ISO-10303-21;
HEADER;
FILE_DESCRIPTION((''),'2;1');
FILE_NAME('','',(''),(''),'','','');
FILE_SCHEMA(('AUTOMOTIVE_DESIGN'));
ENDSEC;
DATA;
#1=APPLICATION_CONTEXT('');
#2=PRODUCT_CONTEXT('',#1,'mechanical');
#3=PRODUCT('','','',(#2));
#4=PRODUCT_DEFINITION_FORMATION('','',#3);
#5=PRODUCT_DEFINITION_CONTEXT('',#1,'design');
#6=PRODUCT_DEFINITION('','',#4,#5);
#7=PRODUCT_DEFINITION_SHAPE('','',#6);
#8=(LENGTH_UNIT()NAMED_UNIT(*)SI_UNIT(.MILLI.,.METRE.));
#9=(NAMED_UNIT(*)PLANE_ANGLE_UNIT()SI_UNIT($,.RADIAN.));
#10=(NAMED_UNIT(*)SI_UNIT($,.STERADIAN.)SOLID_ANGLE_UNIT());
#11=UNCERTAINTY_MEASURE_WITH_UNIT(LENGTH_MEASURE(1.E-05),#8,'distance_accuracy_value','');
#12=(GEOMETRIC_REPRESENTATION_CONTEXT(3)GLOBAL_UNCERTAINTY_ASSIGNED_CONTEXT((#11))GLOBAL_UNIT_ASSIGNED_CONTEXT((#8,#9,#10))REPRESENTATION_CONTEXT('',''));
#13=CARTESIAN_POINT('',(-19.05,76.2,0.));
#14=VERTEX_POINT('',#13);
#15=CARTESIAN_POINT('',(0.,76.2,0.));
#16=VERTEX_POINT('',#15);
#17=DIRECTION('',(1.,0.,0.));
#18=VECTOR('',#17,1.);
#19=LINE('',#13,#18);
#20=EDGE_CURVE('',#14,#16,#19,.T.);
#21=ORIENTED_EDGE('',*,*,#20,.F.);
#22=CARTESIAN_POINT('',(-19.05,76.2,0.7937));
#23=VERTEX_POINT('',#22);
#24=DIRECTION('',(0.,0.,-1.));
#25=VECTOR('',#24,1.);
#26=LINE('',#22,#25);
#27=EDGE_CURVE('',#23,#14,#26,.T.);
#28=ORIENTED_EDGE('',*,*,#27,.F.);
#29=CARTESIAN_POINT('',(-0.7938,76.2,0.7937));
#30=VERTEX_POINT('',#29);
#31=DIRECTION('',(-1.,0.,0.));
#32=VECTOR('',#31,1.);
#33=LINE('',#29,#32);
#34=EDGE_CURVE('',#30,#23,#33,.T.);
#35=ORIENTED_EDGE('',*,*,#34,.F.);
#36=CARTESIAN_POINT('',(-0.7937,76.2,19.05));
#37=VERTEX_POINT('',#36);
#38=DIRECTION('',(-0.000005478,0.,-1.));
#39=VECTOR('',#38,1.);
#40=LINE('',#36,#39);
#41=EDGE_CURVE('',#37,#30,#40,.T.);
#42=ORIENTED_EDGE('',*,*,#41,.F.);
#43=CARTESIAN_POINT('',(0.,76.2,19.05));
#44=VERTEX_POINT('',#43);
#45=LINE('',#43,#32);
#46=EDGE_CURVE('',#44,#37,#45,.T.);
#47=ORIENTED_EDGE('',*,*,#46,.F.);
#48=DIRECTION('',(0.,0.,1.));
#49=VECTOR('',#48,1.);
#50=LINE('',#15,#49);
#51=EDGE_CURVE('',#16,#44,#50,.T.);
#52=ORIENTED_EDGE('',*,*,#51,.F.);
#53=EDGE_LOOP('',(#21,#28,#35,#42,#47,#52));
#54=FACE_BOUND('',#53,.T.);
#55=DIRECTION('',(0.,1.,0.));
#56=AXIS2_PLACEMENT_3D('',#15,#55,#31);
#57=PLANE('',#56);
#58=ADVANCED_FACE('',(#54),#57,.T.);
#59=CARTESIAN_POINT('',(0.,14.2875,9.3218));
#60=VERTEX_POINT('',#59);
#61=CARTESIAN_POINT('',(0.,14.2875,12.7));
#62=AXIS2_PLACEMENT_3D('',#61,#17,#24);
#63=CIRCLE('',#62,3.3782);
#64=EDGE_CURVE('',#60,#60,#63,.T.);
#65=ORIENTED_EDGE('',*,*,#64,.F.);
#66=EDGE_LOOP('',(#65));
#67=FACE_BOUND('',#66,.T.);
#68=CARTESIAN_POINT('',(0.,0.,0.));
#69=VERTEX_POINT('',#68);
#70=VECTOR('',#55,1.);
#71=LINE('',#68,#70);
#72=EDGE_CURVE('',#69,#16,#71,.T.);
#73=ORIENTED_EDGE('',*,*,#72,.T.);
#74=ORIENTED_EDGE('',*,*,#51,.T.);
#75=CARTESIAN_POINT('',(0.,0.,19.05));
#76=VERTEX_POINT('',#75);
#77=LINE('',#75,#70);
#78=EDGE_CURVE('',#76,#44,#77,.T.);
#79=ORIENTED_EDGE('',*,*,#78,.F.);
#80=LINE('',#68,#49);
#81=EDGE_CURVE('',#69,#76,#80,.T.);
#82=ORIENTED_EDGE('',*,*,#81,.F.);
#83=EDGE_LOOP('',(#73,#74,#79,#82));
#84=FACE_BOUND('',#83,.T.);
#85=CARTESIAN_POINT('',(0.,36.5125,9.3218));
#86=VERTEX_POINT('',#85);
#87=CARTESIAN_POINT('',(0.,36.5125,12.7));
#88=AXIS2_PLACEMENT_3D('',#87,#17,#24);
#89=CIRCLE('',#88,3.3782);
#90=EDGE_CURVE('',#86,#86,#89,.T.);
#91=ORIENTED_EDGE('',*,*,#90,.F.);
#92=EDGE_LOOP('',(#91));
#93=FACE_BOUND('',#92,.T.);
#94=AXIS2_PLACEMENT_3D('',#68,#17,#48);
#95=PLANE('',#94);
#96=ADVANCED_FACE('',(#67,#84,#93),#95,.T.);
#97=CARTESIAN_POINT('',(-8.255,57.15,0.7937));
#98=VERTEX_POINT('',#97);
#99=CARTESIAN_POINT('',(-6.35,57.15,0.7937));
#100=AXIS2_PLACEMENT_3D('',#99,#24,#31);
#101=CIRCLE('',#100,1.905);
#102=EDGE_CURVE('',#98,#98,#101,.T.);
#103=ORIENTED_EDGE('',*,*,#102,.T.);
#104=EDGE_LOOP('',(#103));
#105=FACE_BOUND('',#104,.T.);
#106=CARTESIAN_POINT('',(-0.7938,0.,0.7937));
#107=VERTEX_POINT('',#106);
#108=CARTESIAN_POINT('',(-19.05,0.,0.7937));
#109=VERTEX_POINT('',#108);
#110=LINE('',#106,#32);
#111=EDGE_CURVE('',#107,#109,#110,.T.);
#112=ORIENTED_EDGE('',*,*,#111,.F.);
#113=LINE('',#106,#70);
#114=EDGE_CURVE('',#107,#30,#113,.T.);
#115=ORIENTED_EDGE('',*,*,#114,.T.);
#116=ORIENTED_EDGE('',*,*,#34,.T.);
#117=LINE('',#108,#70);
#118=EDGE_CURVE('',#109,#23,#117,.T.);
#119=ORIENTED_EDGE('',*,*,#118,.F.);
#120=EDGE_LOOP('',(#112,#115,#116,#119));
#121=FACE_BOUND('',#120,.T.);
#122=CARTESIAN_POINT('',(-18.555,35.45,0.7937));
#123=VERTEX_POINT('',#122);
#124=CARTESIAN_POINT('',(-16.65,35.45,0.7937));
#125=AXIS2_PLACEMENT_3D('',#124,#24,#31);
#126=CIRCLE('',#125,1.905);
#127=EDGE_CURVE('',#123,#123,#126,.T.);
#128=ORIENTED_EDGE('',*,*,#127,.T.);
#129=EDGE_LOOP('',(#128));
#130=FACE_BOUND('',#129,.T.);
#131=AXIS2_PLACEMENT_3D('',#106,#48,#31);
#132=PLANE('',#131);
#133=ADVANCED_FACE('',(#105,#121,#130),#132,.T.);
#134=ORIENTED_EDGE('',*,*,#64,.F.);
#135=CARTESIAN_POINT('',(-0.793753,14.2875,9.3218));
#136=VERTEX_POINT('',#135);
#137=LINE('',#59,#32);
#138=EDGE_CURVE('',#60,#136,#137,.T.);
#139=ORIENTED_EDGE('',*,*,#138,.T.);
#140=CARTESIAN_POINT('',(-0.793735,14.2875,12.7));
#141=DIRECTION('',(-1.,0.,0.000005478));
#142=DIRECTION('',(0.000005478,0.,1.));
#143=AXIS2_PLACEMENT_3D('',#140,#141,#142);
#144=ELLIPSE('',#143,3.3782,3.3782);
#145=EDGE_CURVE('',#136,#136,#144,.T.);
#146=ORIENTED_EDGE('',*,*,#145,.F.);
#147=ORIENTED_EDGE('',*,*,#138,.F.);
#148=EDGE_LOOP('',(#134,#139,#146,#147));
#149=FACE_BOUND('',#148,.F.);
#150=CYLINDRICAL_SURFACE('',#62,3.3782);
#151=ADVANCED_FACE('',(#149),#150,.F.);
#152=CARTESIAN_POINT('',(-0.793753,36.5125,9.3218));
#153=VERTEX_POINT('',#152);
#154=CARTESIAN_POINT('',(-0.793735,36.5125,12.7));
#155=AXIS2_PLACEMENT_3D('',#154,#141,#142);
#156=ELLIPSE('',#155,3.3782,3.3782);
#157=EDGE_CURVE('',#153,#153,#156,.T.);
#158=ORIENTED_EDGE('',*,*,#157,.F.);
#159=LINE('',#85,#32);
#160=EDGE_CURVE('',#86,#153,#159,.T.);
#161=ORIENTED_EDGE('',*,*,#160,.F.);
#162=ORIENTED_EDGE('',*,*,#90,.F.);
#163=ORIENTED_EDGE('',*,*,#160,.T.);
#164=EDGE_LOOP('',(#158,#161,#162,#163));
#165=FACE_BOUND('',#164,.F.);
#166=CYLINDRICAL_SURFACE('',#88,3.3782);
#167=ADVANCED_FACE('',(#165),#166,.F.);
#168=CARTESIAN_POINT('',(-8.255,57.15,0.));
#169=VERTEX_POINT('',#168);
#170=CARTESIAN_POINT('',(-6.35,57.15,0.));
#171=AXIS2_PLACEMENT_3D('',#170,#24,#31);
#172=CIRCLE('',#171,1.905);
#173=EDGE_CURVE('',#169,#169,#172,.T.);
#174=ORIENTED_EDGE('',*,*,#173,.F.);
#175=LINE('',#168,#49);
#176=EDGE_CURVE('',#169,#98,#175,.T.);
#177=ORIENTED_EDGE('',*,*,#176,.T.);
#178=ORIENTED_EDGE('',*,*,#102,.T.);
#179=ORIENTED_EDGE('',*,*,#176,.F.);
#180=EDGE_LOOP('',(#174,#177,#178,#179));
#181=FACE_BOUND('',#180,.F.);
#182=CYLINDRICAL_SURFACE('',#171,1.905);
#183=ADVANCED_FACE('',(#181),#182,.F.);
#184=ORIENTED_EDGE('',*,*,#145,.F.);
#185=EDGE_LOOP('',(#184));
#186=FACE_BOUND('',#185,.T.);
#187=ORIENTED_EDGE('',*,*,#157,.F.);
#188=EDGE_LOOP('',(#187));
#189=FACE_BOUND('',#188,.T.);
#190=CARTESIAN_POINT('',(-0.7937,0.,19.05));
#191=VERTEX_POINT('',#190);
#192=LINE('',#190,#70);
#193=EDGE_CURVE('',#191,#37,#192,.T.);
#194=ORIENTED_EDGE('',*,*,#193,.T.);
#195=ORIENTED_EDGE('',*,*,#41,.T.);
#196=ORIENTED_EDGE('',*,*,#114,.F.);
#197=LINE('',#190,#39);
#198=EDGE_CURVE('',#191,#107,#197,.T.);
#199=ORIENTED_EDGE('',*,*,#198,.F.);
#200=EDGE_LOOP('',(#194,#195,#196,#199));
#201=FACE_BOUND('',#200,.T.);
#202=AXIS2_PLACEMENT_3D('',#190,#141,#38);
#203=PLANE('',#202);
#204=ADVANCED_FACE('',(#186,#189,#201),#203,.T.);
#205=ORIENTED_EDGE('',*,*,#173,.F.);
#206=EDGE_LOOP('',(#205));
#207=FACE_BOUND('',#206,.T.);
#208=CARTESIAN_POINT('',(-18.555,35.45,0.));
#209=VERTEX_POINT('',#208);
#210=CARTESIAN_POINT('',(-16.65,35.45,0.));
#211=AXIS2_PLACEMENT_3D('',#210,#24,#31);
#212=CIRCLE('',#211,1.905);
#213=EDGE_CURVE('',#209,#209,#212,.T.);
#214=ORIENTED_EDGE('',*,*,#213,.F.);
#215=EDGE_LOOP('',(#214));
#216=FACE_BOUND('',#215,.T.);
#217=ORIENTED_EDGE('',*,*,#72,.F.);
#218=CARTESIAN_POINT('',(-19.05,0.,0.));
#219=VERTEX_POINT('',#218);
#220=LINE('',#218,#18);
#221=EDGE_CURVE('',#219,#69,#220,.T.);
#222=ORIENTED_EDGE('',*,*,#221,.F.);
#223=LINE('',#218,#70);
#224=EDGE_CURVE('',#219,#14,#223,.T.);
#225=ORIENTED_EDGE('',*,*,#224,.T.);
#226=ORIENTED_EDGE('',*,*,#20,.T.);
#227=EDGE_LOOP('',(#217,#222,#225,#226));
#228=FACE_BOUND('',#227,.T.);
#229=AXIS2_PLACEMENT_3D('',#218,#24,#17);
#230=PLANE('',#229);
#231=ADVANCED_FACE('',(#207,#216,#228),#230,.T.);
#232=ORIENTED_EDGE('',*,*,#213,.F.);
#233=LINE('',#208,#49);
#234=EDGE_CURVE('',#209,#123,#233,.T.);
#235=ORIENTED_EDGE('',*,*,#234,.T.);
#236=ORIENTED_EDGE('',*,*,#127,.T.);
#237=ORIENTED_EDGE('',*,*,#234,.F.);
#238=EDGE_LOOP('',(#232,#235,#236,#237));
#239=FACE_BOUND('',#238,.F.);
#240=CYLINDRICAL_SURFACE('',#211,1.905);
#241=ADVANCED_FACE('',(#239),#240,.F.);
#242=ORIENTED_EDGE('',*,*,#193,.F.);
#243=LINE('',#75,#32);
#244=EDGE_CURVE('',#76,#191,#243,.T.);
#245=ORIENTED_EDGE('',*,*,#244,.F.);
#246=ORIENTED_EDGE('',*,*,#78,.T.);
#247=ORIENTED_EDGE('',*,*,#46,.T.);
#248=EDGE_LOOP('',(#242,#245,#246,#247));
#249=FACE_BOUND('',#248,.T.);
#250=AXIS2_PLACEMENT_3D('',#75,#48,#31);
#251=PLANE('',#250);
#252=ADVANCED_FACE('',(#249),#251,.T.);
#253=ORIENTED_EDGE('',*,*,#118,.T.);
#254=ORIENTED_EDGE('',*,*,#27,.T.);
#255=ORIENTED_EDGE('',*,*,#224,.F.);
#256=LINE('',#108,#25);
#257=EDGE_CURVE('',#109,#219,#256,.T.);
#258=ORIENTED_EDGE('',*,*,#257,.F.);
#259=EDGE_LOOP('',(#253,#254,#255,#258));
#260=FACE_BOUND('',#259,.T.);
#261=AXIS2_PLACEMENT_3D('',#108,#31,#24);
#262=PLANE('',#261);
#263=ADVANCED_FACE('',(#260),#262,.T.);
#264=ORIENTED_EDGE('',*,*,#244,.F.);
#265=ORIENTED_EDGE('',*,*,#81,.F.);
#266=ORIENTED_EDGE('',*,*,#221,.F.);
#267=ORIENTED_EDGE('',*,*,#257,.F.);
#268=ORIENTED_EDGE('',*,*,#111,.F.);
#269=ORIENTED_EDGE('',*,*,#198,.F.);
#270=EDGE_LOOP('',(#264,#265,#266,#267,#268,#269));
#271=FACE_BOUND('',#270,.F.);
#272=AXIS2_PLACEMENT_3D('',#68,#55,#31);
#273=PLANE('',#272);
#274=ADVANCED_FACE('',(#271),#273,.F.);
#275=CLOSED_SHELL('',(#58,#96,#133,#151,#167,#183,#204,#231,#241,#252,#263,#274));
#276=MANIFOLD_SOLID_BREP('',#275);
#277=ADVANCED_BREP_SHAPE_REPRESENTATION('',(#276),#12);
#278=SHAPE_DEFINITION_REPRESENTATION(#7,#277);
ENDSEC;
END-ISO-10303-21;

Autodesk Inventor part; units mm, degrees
ref_plane "YZ Plane" through (0, 0, 0) normal (1, 0, 0) x (0, 1, 0)
ref_plane "XZ Plane" through (0, 0, 0) normal (0, 1, 0) x (-1, 0, 0)
ref_plane "XY Plane" through (0, 0, 0) normal (0, 0, 1) x (1, 0, 0)
sketch "Sketch1" plane through (0, 0, 0) normal (0, 1, 0) x (-1, 0, 0)
  line L0 (0, 0) -> (0, 19.05)
  line L1 (0, 19.05) -> (0.7937, 19.05)
  line L2 (0.7937, 19.05) -> (0.7938, 0.7937)
  line L3 (0.7938, 0.7937) -> (19.05, 0.7937)
  line L4 (19.05, 0.7937) -> (19.05, 0)
  line L5 (19.05, 0) -> (0, 0)
  dimension "d0" = 19.05
  dimension "d1" = 0.7937
extrude "Extrusion1" add sketch "Sketch1" along normal blind 76.2
sketch "Sketch2" plane through (0, 0, 19.05) normal (1, 0, 0) x (0, 0, -1)
  line L0 (19.05, 0) -> (19.05, 76.2) projected
  line L1 (6.35, 36.5125) -> (6.35, 14.2875) construction
  circle A0 centre (6.35, 36.5125) radius 3.3782
  circle A1 centre (6.35, 14.2875) radius 3.3782
  line L2 (19.05, 0) -> (0, 0) projected
  dimension "d4" = 22.225
  dimension "d5" = 6.7564
  dimension "d16" = 12.7
  dimension "d17" = 14.2875
extrude "Extrusion2" cut sketch "Sketch2" against normal through all
sketch "Sketch3" plane through (0, 0, 0) normal (0, 0, -1) x (-1, 0, 0)
  line L0 (0, 76.2) -> (19.05, 76.2) projected
  line L1 (0, 0) -> (0, 76.2) projected
  line L2 (16.65, 57.15) -> (6.35, 57.15) construction
  line L3 (6.35, 57.15) -> (6.35, 35.45) construction
  line L4 (6.35, 35.45) -> (16.65, 35.45) construction
  line L5 (16.65, 35.45) -> (16.65, 57.15) construction
  circle A0 centre (16.65, 35.45) radius 1.905
  circle A1 centre (6.35, 57.15) radius 1.905
  dimension "d9" = 3.81
  dimension "d10" = 21.7
  dimension "d11" = 10.3
  dimension "d12" = 19.05
  dimension "d13" = 6.35
extrude "Extrusion3" cut sketch "Sketch3" against normal through all
properties part number "Limit Switch Bracket Shooter Front Right Corner" material "Aluminum 6061"
